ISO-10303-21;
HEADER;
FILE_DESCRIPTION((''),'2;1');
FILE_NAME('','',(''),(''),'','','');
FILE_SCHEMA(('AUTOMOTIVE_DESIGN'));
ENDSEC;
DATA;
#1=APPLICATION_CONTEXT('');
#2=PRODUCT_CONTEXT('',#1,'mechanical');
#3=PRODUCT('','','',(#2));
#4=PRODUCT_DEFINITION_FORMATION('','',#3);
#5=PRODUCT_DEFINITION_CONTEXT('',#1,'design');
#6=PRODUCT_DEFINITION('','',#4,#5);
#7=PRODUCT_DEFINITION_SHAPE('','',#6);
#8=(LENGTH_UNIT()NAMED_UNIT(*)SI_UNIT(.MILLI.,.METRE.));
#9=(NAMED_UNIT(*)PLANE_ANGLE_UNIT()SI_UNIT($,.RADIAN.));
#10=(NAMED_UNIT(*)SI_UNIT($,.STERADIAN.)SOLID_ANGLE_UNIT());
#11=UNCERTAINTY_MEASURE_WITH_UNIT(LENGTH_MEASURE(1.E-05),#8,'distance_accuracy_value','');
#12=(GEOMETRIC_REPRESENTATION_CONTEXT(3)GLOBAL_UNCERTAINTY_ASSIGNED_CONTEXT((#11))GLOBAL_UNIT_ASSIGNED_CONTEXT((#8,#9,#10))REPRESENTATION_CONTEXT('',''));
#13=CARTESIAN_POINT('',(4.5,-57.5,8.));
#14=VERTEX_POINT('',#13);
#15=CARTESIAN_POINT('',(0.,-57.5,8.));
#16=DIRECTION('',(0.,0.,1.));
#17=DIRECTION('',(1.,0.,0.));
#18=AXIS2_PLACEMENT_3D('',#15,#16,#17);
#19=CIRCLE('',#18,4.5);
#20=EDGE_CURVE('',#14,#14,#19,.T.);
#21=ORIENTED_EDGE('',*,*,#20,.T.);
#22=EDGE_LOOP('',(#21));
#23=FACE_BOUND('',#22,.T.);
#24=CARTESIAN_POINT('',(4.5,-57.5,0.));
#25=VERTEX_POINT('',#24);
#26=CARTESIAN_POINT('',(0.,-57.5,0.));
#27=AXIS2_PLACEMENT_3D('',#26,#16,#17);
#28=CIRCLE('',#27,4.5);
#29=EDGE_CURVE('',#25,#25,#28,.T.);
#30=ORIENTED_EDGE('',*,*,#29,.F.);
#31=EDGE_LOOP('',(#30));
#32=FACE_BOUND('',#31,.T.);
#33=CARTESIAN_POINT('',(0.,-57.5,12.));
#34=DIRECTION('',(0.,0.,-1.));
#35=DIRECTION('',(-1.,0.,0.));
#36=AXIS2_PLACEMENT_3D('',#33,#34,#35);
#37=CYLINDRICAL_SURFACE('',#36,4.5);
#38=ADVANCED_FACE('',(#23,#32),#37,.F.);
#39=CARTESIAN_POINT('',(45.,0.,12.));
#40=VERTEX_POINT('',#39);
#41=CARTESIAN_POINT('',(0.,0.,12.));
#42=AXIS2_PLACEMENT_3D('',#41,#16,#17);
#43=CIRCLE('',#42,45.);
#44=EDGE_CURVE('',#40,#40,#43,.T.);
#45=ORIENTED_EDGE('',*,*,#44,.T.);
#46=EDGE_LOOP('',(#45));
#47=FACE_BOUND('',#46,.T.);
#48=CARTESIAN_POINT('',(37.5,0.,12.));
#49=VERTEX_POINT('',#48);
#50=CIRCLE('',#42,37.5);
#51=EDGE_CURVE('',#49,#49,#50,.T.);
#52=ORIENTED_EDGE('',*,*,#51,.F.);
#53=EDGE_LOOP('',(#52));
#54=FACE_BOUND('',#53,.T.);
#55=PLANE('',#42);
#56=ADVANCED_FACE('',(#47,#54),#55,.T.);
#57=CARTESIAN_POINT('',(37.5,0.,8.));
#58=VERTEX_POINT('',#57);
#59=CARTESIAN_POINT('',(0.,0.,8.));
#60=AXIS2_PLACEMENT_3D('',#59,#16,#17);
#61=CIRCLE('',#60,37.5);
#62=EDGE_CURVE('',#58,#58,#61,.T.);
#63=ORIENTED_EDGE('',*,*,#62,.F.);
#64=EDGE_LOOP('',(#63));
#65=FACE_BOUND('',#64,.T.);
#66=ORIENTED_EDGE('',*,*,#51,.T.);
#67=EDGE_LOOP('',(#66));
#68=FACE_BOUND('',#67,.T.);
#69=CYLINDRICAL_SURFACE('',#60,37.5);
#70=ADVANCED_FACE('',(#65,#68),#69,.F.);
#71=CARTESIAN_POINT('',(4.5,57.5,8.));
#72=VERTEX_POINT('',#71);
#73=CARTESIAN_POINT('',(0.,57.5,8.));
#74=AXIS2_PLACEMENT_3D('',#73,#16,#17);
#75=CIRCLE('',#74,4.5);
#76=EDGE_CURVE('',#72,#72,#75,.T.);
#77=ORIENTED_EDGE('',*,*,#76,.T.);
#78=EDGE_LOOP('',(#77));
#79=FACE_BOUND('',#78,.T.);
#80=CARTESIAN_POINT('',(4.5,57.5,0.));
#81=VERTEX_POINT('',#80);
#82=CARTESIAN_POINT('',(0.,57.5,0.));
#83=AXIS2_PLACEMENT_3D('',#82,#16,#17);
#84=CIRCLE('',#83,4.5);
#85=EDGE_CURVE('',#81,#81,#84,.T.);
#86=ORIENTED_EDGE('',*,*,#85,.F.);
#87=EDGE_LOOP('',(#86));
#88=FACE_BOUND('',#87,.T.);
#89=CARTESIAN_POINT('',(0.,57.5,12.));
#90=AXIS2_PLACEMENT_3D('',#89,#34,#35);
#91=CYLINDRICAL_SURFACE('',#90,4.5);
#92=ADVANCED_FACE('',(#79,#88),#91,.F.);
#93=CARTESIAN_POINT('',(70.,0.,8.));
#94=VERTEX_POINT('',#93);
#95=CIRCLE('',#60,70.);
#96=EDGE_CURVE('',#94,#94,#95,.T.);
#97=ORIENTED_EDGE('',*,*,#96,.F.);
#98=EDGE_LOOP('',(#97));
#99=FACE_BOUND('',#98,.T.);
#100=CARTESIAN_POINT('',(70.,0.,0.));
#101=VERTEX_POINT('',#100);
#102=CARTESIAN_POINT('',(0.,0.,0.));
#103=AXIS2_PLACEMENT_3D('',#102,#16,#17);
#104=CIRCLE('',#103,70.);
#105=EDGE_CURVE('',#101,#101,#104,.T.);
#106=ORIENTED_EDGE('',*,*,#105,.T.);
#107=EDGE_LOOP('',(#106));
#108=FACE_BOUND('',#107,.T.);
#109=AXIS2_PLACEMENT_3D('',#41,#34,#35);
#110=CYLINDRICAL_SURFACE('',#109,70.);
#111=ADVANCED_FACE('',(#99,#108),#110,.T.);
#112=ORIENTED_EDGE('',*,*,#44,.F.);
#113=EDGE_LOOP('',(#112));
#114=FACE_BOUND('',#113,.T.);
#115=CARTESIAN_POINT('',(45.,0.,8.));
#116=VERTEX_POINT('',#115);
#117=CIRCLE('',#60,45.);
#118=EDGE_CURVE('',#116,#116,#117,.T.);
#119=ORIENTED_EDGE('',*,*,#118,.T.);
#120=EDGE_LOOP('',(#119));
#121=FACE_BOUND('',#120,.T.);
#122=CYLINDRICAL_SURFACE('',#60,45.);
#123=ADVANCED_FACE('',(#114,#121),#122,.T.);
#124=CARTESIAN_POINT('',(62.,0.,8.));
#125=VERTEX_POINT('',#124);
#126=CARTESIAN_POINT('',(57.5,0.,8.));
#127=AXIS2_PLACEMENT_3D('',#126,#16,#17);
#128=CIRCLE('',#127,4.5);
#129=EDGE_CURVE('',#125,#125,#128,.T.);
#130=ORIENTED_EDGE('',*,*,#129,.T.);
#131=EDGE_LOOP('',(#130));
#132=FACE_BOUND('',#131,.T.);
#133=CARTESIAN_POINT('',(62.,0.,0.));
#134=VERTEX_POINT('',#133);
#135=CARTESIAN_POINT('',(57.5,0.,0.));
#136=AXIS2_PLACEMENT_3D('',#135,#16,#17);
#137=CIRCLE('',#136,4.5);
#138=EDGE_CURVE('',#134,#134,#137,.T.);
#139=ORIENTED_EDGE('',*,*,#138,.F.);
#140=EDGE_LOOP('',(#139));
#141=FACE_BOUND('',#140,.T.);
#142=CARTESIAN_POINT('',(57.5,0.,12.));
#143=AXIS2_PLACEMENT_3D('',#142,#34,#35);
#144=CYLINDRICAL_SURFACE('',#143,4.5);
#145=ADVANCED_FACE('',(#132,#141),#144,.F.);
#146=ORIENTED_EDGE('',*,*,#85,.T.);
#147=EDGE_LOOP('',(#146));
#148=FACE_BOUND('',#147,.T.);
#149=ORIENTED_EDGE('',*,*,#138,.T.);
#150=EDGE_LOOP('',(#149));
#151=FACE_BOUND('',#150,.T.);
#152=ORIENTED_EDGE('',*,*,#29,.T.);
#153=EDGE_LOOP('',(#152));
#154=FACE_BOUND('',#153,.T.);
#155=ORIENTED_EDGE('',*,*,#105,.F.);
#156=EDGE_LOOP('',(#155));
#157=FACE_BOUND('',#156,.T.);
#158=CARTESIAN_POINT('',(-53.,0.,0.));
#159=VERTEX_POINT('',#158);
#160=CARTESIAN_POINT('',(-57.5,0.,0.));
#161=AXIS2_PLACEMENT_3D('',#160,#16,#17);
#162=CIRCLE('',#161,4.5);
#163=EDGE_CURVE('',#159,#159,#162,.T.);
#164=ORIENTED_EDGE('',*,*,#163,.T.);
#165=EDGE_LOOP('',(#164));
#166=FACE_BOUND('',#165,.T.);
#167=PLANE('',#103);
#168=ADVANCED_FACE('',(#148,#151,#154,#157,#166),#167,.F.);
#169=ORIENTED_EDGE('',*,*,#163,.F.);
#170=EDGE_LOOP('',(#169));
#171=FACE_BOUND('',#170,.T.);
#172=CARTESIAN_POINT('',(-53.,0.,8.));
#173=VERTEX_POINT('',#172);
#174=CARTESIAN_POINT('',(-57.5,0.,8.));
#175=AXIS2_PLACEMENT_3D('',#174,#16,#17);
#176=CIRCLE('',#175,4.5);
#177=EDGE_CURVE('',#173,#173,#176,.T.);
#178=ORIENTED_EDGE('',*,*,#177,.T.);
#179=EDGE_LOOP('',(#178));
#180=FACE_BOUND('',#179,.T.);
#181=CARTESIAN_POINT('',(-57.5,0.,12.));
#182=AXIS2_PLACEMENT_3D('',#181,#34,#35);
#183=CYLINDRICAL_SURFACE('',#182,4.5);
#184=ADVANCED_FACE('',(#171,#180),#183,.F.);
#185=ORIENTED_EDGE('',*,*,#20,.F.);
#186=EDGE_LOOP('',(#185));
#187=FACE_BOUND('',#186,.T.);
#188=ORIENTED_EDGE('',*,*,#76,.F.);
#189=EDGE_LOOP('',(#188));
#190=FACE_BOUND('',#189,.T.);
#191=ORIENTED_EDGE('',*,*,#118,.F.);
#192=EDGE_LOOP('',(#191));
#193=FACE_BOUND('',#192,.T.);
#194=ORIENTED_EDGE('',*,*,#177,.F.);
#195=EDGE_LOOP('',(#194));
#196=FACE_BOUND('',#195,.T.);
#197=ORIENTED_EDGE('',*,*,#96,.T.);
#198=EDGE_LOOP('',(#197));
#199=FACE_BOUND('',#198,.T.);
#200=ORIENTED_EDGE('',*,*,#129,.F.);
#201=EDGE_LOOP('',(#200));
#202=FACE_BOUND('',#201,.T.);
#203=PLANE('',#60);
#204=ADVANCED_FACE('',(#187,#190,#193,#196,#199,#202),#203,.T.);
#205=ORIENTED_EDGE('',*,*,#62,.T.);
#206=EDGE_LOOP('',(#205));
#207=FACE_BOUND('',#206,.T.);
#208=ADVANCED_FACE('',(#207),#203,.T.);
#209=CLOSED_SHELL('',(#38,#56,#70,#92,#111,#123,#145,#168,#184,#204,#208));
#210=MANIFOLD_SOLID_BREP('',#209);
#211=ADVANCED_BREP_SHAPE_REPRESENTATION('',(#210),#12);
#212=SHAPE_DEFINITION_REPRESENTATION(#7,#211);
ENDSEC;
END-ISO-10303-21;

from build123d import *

# Parameters (mm, degrees)
SKETCH1_R           = 70
SKETCH1_R_2         = 4.5
BOSS_EXTRUDE1_DEPTH = 12
CUT_EXTRUDE1_START  = -4
SKETCH2_R           = 70
SKETCH2_R_2         = 45
CUT_EXTRUDE1_DEPTH  = 4
SKETCH3_R           = 37.5
CUT_EXTRUDE2_DEPTH  = 4


with BuildPart() as part:
    # Sketch1 → Boss-Extrude1 (new body)
    with BuildSketch(Plane.XY):
        Circle(SKETCH1_R)
        with Locations((0, 57.5)):
            Circle(SKETCH1_R_2, mode=Mode.SUBTRACT)
        with Locations((57.5, 0)):
            Circle(SKETCH1_R_2, mode=Mode.SUBTRACT)
        with Locations((0, -57.5)):
            Circle(SKETCH1_R_2, mode=Mode.SUBTRACT)
        with Locations((-57.5, 0)):
            Circle(SKETCH1_R_2, mode=Mode.SUBTRACT)
    extrude(amount=BOSS_EXTRUDE1_DEPTH)

    # Sketch2 → Cut-Extrude1 (cut)
    with BuildSketch(Plane.XY.offset(12).offset(CUT_EXTRUDE1_START)):
        Circle(SKETCH2_R)
        Circle(SKETCH2_R_2, mode=Mode.SUBTRACT)
    extrude(amount=CUT_EXTRUDE1_DEPTH, mode=Mode.SUBTRACT)

    # Sketch3 → Cut-Extrude2 (cut)
    with BuildSketch(Plane.XY.offset(12)):
        Circle(SKETCH3_R)
    extrude(amount=-CUT_EXTRUDE2_DEPTH, mode=Mode.SUBTRACT)


solid = part.part
